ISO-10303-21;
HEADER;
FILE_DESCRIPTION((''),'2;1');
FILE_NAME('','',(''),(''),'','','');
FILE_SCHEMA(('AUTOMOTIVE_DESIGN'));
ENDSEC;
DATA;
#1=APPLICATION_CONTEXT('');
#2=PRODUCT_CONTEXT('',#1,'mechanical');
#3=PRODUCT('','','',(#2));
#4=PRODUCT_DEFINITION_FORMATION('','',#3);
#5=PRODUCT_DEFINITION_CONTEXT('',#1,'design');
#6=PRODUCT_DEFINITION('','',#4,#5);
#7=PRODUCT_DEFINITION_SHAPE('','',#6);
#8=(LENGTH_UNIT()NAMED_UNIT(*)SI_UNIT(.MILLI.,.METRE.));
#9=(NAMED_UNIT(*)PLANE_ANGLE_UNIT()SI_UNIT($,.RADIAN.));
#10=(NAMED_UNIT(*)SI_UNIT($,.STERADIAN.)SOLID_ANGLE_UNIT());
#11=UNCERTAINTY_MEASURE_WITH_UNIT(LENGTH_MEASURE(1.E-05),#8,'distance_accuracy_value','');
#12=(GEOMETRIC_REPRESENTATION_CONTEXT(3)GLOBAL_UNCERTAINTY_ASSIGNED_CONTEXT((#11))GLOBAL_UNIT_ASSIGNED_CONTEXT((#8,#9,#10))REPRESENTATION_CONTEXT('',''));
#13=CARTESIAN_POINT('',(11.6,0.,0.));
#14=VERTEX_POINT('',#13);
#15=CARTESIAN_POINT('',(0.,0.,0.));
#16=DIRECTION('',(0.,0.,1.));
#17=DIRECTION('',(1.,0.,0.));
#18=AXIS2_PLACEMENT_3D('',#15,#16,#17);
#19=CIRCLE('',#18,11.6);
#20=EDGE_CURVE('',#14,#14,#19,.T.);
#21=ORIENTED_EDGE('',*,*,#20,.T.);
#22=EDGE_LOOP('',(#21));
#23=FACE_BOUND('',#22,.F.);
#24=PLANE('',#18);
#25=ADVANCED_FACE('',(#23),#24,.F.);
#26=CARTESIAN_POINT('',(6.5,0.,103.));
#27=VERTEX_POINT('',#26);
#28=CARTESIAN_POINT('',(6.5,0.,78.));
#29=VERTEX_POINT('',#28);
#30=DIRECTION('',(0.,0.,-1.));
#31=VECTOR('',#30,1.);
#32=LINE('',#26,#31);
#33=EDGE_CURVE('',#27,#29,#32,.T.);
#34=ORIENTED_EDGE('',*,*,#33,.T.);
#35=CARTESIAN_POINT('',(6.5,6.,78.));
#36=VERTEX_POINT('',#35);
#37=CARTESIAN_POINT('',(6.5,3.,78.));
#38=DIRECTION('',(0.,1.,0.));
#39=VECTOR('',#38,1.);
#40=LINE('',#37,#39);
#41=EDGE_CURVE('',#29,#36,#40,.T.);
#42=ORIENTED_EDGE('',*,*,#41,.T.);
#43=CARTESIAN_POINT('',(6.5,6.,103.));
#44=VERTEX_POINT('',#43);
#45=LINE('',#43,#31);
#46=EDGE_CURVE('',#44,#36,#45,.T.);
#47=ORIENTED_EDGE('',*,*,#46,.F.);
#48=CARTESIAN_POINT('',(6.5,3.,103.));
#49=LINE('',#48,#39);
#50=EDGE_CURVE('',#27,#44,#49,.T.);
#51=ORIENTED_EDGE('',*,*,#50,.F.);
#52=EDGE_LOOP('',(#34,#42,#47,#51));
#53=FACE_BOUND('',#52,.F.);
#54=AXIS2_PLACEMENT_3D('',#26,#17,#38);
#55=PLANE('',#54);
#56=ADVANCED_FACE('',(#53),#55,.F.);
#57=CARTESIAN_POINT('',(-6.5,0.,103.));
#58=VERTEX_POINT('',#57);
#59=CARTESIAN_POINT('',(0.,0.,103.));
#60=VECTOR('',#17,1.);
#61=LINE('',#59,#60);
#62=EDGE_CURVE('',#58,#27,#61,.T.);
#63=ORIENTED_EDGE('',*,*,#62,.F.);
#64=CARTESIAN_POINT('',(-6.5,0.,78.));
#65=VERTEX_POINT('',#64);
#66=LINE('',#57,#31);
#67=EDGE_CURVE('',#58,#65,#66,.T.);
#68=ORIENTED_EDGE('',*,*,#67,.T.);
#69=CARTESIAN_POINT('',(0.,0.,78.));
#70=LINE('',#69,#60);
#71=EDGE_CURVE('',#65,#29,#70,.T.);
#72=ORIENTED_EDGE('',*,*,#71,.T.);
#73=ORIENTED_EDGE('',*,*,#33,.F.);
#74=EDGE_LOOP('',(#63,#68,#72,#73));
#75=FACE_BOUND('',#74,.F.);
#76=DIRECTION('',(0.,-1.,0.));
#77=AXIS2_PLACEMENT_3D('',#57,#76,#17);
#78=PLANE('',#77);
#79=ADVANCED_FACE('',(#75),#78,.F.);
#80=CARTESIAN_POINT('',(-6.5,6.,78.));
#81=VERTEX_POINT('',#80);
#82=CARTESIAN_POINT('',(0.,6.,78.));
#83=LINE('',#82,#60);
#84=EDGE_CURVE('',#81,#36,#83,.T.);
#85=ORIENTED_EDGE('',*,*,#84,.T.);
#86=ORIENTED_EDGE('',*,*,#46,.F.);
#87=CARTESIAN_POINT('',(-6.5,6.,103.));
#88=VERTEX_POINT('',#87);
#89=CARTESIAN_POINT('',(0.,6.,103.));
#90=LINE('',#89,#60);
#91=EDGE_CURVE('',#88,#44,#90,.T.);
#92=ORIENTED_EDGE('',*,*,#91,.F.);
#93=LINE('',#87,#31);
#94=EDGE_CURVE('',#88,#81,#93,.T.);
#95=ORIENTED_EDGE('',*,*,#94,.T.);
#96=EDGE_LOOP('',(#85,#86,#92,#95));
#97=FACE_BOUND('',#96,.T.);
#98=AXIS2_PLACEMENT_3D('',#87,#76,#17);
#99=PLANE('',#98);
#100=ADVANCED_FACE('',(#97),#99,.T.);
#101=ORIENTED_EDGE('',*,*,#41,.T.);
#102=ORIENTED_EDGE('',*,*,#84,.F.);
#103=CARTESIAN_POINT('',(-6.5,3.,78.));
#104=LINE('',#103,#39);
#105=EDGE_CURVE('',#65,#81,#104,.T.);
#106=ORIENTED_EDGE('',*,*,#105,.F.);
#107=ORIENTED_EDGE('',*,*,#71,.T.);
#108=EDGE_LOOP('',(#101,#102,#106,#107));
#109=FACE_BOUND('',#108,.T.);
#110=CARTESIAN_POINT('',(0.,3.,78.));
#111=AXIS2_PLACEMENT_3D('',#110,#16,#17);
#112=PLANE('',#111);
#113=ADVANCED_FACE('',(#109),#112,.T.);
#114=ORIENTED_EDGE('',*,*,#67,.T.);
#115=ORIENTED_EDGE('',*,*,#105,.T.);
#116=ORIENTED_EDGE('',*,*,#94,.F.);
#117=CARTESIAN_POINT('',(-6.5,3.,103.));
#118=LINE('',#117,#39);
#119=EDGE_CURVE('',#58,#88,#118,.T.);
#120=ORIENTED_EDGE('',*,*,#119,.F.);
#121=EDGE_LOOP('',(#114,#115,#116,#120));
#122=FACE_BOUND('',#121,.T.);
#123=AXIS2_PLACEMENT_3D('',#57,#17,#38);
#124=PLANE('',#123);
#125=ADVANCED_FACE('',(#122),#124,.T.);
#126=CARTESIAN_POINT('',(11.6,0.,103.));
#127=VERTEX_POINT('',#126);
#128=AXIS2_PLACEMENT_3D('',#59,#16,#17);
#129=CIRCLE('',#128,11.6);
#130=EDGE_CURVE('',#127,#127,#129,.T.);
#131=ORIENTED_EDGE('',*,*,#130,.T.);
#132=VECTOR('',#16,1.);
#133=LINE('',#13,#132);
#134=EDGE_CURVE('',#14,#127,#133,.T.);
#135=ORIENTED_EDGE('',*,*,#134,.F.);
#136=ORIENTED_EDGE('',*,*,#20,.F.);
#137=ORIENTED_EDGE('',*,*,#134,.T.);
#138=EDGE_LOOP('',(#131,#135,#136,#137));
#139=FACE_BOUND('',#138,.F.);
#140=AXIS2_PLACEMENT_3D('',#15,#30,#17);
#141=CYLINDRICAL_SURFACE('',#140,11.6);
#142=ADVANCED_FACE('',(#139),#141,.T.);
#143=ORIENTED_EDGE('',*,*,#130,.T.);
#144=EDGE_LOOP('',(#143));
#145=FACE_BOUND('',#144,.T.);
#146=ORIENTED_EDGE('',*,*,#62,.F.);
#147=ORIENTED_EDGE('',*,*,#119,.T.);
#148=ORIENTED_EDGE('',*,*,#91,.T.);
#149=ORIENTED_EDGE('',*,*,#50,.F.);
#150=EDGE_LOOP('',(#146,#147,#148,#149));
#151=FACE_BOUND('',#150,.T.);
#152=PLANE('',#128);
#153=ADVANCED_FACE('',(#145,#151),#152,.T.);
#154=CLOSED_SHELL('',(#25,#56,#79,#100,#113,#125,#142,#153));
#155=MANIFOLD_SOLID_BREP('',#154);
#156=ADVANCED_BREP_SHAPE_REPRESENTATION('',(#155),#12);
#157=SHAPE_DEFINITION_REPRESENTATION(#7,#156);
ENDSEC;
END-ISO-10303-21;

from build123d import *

# Parameters (mm, degrees)
F0_R     = 11.6
F1_DEPTH = 103
F2_W     = 13
F2_H     = 6
F3_DEPTH = 25


with BuildPart() as f1:
    # F0 (on Top) → F1 (new body)
    with BuildSketch(Plane.XY):
        Circle(F0_R)
    extrude(amount=F1_DEPTH)

    # F2 (on face) → F3 (cut)
    with BuildSketch(Plane.XY.offset(103)):
        with Locations((0, 3)):
            Rectangle(F2_W, F2_H)
    extrude(amount=-F3_DEPTH, mode=Mode.SUBTRACT)


solid = f1.part
